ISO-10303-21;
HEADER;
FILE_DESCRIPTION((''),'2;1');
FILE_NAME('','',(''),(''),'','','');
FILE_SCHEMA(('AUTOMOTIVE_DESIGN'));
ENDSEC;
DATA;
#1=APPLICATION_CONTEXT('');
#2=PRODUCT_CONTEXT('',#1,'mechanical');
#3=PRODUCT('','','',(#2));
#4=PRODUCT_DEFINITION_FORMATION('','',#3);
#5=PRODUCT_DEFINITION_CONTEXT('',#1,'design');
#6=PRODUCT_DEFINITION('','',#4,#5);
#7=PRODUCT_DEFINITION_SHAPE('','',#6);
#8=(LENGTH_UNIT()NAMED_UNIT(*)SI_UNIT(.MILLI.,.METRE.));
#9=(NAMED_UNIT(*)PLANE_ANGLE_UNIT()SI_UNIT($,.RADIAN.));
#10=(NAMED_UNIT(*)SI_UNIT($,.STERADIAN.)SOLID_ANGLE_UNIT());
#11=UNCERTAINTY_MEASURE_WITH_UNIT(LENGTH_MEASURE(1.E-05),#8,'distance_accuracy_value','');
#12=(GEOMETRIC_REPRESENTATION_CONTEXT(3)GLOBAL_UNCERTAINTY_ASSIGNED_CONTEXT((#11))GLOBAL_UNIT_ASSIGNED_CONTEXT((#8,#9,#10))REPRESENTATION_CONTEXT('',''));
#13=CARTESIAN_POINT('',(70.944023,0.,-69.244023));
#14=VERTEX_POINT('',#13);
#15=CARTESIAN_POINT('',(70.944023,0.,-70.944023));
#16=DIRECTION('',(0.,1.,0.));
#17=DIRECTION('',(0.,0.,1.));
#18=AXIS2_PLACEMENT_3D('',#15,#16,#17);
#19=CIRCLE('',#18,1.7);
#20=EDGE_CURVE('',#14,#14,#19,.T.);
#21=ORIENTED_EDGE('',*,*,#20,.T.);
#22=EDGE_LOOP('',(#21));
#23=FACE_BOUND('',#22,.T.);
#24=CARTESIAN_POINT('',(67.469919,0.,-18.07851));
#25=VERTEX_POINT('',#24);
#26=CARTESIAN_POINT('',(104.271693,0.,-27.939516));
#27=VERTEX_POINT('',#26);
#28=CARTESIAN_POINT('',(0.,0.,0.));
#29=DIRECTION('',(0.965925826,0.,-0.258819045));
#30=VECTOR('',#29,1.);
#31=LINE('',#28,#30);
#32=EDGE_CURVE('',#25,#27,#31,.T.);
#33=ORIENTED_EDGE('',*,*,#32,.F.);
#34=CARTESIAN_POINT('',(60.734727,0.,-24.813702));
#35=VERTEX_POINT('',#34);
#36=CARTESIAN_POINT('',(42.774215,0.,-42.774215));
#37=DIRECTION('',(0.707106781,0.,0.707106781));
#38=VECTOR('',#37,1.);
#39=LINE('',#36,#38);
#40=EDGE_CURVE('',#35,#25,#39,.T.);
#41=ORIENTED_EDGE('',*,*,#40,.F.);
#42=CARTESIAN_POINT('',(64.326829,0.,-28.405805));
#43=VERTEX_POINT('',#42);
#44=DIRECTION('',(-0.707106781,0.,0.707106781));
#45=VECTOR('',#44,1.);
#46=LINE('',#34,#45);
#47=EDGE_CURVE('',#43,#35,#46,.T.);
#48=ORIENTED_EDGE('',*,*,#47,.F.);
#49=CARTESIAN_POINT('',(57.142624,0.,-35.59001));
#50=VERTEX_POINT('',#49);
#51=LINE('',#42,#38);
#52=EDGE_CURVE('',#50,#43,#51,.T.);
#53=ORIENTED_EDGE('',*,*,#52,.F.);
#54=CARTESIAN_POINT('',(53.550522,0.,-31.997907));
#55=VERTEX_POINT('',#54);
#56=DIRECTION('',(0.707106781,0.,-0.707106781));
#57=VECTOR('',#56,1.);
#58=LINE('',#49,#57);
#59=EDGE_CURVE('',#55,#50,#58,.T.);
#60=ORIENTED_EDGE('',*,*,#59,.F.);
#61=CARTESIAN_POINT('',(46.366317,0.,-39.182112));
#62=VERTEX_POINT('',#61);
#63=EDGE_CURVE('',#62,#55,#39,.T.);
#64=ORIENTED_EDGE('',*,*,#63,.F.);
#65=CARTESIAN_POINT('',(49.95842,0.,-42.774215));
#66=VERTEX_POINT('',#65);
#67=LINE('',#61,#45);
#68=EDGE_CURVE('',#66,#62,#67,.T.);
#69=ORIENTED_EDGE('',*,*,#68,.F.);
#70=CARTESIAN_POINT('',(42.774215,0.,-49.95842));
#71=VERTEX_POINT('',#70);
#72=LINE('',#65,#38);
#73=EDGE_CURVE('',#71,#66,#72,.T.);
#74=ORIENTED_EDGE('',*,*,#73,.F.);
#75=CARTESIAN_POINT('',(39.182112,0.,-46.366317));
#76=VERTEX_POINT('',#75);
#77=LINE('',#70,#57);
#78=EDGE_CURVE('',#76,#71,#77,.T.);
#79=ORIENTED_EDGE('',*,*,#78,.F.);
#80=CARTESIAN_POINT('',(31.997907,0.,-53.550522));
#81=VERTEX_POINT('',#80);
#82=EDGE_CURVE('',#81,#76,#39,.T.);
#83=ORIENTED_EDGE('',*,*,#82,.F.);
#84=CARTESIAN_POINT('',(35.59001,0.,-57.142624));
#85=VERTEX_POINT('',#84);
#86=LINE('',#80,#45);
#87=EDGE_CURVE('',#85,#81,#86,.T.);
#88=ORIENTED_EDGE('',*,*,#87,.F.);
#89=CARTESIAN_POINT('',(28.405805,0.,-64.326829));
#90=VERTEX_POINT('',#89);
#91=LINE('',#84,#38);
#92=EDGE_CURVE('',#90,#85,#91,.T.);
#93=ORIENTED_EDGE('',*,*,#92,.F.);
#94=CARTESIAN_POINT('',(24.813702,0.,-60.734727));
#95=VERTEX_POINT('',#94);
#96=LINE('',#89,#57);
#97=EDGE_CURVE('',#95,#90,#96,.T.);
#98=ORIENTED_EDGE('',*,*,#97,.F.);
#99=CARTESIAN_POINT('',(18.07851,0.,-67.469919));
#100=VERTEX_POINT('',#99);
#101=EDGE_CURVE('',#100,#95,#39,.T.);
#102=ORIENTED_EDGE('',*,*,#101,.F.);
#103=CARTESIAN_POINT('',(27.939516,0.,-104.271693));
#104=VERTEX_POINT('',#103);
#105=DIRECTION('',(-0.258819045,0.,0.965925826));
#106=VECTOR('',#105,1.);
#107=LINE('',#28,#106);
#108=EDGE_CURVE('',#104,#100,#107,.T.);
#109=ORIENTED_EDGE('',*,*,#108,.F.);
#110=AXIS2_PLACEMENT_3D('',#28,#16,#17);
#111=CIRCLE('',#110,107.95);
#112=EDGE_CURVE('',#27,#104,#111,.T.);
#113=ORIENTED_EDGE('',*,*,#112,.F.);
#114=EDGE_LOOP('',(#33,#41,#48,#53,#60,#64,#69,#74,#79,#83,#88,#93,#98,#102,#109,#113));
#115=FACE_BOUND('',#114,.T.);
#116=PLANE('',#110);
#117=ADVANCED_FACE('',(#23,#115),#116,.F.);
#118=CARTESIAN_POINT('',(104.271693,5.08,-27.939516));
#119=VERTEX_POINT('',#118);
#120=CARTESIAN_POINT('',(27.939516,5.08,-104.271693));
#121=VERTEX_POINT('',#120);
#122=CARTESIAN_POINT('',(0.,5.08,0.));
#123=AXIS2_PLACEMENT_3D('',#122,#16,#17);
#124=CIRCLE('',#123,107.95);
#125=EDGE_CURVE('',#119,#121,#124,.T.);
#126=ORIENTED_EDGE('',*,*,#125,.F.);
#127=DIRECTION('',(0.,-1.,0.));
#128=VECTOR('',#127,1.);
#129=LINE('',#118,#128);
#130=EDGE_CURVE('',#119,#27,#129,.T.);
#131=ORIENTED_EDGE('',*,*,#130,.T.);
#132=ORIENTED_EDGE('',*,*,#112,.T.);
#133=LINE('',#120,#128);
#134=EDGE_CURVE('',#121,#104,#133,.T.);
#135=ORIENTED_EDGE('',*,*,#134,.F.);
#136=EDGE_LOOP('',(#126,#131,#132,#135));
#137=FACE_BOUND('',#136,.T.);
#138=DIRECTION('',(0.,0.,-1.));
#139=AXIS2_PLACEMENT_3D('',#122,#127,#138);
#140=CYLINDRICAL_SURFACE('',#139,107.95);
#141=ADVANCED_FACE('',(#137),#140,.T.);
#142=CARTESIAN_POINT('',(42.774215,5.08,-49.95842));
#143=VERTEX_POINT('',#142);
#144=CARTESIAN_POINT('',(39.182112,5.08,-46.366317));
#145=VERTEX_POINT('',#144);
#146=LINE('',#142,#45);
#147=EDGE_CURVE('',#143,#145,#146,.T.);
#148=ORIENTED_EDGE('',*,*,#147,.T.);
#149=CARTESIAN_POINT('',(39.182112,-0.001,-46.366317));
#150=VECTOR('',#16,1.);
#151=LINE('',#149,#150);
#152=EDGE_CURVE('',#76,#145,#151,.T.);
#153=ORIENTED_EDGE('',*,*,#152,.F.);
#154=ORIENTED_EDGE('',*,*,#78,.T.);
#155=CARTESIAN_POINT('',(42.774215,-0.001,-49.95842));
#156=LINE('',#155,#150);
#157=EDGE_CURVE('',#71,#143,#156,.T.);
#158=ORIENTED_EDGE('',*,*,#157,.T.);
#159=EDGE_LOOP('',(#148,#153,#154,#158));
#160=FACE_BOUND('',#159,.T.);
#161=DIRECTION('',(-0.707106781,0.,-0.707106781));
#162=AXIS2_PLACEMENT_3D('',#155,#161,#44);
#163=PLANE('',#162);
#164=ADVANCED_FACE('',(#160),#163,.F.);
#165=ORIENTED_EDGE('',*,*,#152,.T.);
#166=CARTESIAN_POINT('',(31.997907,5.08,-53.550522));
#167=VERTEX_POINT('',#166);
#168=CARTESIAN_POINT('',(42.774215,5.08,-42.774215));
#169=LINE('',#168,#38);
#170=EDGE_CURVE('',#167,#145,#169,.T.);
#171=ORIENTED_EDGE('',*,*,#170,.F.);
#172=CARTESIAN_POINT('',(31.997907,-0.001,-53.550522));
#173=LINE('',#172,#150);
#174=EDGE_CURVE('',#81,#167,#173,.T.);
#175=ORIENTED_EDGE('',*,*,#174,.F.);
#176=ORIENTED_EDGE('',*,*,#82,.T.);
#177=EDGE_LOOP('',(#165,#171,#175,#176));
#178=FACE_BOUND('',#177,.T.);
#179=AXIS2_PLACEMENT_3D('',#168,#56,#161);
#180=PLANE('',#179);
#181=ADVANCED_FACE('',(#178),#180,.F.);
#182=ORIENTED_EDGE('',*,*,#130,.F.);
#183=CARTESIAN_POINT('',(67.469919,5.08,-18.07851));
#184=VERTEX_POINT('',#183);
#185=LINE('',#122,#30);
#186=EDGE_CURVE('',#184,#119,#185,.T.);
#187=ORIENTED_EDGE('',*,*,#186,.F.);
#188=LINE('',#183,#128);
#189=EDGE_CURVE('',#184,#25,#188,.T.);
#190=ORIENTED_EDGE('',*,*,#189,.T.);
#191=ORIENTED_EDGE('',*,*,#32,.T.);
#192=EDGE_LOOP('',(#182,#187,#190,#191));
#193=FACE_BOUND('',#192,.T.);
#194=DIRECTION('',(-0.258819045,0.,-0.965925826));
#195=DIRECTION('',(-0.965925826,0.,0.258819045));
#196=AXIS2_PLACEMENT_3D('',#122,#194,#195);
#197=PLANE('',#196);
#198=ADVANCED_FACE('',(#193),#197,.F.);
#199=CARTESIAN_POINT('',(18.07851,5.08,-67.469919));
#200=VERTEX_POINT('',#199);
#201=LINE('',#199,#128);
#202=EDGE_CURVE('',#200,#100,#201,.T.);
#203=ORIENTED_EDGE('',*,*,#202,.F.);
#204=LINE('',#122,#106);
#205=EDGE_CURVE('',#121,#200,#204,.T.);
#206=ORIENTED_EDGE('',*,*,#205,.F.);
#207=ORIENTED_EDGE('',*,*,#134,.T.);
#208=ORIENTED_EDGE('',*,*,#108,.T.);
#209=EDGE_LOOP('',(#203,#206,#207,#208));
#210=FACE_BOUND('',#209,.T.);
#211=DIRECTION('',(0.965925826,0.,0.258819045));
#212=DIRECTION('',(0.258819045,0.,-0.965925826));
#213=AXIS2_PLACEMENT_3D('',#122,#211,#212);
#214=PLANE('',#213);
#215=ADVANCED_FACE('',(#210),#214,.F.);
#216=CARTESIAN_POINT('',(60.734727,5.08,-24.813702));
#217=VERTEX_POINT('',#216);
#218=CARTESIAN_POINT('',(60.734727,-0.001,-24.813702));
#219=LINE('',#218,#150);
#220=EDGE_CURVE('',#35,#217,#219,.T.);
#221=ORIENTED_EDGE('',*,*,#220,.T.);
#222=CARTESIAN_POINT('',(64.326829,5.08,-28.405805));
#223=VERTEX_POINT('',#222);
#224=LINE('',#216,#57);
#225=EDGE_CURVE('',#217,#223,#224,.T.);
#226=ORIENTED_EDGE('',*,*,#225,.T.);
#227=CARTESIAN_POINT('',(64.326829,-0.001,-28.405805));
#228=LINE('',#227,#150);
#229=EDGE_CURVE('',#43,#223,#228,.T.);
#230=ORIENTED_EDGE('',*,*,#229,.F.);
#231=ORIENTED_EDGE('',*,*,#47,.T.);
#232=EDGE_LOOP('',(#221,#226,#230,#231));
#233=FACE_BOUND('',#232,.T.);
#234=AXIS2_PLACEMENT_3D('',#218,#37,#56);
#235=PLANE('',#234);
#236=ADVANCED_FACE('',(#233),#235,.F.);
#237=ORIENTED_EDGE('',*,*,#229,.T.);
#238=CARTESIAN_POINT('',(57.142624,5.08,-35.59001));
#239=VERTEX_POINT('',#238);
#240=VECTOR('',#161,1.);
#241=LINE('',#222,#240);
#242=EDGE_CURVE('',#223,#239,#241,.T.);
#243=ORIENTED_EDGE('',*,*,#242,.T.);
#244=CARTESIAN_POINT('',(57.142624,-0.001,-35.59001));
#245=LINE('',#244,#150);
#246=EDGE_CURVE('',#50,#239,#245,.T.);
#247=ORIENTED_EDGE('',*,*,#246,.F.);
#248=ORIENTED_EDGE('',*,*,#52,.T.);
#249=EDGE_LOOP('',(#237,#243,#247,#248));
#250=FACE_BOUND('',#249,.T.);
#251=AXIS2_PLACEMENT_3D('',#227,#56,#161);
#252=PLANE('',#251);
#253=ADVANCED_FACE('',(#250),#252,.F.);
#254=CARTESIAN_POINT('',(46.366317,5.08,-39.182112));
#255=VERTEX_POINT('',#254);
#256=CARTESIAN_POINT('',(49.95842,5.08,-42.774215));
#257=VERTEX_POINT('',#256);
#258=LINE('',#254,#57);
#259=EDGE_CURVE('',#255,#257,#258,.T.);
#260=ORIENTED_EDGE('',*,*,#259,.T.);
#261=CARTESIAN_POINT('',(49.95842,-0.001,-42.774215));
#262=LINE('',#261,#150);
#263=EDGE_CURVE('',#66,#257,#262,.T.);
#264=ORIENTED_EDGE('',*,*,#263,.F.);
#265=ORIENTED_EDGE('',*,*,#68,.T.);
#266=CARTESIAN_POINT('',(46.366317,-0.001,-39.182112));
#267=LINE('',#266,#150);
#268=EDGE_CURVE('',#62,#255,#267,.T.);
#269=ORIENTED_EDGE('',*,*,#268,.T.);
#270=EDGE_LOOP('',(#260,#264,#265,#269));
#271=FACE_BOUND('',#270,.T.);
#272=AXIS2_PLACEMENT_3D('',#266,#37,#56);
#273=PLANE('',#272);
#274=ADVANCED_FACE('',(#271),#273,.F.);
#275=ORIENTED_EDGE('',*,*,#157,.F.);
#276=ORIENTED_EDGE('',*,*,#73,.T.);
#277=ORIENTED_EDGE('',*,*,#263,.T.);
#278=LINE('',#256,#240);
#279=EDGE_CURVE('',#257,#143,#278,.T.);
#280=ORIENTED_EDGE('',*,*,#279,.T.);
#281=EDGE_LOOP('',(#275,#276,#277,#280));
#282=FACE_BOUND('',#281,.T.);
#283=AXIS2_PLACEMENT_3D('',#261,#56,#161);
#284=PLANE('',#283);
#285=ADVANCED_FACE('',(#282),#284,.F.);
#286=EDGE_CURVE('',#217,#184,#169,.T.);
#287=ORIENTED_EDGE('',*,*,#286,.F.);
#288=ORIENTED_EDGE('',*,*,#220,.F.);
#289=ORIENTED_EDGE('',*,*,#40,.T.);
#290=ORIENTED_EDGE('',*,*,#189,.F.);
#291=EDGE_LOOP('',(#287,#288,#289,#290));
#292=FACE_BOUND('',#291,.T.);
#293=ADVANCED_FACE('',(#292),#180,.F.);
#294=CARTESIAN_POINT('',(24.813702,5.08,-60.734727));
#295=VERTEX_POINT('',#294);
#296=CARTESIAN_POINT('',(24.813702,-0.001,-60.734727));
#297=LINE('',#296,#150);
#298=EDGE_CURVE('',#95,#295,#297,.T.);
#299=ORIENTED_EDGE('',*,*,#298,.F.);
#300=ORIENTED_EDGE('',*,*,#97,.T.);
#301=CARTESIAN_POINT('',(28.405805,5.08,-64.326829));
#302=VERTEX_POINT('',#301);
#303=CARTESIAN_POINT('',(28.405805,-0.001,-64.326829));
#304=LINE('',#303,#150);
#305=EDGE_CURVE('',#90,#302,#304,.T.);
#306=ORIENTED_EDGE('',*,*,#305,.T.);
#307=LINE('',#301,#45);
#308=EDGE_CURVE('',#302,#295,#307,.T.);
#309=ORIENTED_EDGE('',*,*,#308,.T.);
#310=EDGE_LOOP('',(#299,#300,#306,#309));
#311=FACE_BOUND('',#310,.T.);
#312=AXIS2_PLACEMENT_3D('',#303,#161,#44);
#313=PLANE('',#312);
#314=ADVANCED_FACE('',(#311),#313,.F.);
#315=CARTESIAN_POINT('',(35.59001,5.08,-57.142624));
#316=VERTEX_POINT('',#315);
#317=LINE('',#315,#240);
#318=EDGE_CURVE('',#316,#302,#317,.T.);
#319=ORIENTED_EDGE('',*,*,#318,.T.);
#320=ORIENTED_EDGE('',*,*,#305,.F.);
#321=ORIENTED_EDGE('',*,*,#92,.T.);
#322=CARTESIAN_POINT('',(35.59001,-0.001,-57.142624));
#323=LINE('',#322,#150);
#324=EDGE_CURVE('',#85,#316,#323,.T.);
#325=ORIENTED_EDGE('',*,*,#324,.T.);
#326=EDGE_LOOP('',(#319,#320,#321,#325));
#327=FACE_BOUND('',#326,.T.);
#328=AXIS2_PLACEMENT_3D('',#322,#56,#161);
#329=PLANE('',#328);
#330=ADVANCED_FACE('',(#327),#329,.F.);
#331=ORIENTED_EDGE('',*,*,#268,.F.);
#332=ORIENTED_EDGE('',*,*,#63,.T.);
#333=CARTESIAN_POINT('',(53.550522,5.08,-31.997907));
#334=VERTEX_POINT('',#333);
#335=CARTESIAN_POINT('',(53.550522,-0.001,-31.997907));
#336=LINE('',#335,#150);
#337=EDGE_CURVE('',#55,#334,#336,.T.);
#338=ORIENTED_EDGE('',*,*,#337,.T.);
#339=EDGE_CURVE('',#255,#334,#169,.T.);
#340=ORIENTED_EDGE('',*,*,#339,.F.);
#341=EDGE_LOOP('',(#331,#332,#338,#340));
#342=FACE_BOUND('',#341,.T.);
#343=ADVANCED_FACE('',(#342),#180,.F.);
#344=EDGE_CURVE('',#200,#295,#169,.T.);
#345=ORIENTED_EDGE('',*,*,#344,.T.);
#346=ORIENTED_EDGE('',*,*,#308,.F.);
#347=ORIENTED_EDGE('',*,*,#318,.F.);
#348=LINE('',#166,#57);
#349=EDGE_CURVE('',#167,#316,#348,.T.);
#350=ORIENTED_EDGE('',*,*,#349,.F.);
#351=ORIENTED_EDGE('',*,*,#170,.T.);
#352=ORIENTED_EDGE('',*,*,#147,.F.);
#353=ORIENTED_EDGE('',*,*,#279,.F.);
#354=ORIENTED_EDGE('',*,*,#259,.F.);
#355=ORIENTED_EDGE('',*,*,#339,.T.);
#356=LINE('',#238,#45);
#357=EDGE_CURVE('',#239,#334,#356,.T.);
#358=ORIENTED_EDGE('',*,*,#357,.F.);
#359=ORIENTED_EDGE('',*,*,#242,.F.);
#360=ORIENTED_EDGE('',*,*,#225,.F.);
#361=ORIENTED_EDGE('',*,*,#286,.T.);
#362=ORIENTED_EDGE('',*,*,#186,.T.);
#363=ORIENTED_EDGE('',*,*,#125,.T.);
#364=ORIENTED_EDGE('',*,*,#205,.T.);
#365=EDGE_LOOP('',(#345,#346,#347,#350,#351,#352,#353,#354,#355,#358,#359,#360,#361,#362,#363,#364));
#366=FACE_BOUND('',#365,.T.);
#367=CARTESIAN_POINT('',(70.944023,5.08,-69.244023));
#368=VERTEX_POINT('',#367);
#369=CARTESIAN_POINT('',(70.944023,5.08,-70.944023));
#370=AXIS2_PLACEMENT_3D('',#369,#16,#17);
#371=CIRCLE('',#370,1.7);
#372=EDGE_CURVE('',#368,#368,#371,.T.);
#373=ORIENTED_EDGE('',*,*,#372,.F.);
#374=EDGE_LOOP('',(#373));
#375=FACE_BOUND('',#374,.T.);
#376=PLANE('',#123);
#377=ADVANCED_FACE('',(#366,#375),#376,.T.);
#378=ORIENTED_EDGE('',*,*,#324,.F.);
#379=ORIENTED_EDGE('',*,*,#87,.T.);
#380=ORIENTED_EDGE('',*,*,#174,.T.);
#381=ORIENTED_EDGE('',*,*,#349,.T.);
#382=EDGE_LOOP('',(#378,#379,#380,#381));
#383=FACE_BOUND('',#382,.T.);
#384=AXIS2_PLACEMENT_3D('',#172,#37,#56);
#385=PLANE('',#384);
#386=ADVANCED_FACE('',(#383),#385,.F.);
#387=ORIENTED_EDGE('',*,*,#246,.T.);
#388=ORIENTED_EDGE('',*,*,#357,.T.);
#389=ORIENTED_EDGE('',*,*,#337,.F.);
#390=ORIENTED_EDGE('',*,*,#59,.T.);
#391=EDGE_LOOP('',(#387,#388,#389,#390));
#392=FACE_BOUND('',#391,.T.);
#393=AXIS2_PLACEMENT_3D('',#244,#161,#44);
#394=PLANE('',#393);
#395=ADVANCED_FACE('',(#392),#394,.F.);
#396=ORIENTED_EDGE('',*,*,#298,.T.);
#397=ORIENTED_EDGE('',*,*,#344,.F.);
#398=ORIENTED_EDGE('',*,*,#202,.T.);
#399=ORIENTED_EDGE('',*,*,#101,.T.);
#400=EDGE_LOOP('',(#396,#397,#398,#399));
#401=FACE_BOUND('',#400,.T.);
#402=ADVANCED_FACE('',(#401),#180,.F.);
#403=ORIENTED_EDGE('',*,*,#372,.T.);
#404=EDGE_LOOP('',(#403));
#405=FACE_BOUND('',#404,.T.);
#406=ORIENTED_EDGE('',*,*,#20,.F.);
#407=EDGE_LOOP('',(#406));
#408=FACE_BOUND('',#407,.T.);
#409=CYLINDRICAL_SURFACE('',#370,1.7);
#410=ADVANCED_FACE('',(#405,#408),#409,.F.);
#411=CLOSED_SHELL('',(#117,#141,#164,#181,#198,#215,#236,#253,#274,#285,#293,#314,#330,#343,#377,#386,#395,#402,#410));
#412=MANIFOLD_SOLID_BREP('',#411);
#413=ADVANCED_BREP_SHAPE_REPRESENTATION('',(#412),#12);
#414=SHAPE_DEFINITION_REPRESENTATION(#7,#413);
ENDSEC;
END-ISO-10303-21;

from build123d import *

# Parameters (mm, degrees)
BOSS_EXTRUDE1_DEPTH      = 5.08
M3_CLEARANCE_HOLE1_D     = 3.4
M3_CLEARANCE_HOLE1_DEPTH = 11.938
M3_CLEARANCE_HOLE1_TIP   = 1.021463052
CUT_EXTRUDE1_REACH       = 7.08


with BuildPart() as part:
    # Sketch1 → Boss-Extrude1 (new body)
    with BuildSketch(Plane(origin=(0, 0, 0), x_dir=(1, 0, 0), z_dir=(0, 1, 0))):
        with BuildLine():
            Line((27.939515919, 104.271692948), (18.0785103, 67.469918966))
            Line((18.0785103, 67.469918966), (67.469918966, 18.0785103))
            Line((67.469918966, 18.0785103), (104.271692948, 27.939515919))
            ThreePointArc((104.271692948, 27.939515919), (76.332177029, 76.332177029), (27.939515919, 104.271692948))
        make_face()
    extrude(amount=BOSS_EXTRUDE1_DEPTH)

    # M3 Clearance Hole1
    with Locations(Plane(origin=(0, 5.08, 0), x_dir=(1, 0, 0), z_dir=(0, 1, 0))):
        with Locations((70.944023356, 70.944023356)):
            Hole(M3_CLEARANCE_HOLE1_D / 2, depth=M3_CLEARANCE_HOLE1_DEPTH)
            with Locations((0, 0, -(M3_CLEARANCE_HOLE1_DEPTH + M3_CLEARANCE_HOLE1_TIP / 2))):  # 118° drill point
                Cone(0, M3_CLEARANCE_HOLE1_D / 2, M3_CLEARANCE_HOLE1_TIP, mode=Mode.SUBTRACT)

    # Sketch5 → Cut-Extrude1 (cut, up to next)
    with BuildSketch(Plane(origin=(0, 5.08, 0), x_dir=(1, 0, 0), z_dir=(0, 1, 0)), mode=Mode.PRIVATE) as cut_extrude1_sk1:
        Polygon((64.326829324, 28.40580484), (57.142624427, 35.590009736), (53.550521979, 31.997907288), (60.734726875, 24.813702391), align=None)
    cut_extrude1_tool1 = extrude(cut_extrude1_sk1.sketch, amount=-CUT_EXTRUDE1_REACH, mode=Mode.PRIVATE) & part.part
    add(cut_extrude1_tool1.solids().sort_by_distance((58.938676, 5.08, -30.201856))[0], mode=Mode.SUBTRACT)
    # Sketch5 → Cut-Extrude1 (cut, up to next)
    with BuildSketch(Plane(origin=(0, 5.08, 0), x_dir=(1, 0, 0), z_dir=(0, 1, 0)), mode=Mode.PRIVATE) as cut_extrude1_sk2:
        Polygon((49.95841953, 42.774214633), (42.774214633, 49.95841953), (39.182112185, 46.366317082), (46.366317082, 39.182112185), align=None)
    cut_extrude1_tool2 = extrude(cut_extrude1_sk2.sketch, amount=-CUT_EXTRUDE1_REACH, mode=Mode.PRIVATE) & part.part
    add(cut_extrude1_tool2.solids().sort_by_distance((44.570266, 5.08, -44.570266))[0], mode=Mode.SUBTRACT)
    # Sketch5 → Cut-Extrude1 (cut, up to next)
    with BuildSketch(Plane(origin=(0, 5.08, 0), x_dir=(1, 0, 0), z_dir=(0, 1, 0)), mode=Mode.PRIVATE) as cut_extrude1_sk3:
        Polygon((24.813702391, 60.734726875), (31.997907288, 53.550521979), (35.590009736, 57.142624427), (28.40580484, 64.326829324), align=None)
    cut_extrude1_tool3 = extrude(cut_extrude1_sk3.sketch, amount=-CUT_EXTRUDE1_REACH, mode=Mode.PRIVATE) & part.part
    add(cut_extrude1_tool3.solids().sort_by_distance((30.201856, 5.08, -58.938676))[0], mode=Mode.SUBTRACT)


solid = part.part
